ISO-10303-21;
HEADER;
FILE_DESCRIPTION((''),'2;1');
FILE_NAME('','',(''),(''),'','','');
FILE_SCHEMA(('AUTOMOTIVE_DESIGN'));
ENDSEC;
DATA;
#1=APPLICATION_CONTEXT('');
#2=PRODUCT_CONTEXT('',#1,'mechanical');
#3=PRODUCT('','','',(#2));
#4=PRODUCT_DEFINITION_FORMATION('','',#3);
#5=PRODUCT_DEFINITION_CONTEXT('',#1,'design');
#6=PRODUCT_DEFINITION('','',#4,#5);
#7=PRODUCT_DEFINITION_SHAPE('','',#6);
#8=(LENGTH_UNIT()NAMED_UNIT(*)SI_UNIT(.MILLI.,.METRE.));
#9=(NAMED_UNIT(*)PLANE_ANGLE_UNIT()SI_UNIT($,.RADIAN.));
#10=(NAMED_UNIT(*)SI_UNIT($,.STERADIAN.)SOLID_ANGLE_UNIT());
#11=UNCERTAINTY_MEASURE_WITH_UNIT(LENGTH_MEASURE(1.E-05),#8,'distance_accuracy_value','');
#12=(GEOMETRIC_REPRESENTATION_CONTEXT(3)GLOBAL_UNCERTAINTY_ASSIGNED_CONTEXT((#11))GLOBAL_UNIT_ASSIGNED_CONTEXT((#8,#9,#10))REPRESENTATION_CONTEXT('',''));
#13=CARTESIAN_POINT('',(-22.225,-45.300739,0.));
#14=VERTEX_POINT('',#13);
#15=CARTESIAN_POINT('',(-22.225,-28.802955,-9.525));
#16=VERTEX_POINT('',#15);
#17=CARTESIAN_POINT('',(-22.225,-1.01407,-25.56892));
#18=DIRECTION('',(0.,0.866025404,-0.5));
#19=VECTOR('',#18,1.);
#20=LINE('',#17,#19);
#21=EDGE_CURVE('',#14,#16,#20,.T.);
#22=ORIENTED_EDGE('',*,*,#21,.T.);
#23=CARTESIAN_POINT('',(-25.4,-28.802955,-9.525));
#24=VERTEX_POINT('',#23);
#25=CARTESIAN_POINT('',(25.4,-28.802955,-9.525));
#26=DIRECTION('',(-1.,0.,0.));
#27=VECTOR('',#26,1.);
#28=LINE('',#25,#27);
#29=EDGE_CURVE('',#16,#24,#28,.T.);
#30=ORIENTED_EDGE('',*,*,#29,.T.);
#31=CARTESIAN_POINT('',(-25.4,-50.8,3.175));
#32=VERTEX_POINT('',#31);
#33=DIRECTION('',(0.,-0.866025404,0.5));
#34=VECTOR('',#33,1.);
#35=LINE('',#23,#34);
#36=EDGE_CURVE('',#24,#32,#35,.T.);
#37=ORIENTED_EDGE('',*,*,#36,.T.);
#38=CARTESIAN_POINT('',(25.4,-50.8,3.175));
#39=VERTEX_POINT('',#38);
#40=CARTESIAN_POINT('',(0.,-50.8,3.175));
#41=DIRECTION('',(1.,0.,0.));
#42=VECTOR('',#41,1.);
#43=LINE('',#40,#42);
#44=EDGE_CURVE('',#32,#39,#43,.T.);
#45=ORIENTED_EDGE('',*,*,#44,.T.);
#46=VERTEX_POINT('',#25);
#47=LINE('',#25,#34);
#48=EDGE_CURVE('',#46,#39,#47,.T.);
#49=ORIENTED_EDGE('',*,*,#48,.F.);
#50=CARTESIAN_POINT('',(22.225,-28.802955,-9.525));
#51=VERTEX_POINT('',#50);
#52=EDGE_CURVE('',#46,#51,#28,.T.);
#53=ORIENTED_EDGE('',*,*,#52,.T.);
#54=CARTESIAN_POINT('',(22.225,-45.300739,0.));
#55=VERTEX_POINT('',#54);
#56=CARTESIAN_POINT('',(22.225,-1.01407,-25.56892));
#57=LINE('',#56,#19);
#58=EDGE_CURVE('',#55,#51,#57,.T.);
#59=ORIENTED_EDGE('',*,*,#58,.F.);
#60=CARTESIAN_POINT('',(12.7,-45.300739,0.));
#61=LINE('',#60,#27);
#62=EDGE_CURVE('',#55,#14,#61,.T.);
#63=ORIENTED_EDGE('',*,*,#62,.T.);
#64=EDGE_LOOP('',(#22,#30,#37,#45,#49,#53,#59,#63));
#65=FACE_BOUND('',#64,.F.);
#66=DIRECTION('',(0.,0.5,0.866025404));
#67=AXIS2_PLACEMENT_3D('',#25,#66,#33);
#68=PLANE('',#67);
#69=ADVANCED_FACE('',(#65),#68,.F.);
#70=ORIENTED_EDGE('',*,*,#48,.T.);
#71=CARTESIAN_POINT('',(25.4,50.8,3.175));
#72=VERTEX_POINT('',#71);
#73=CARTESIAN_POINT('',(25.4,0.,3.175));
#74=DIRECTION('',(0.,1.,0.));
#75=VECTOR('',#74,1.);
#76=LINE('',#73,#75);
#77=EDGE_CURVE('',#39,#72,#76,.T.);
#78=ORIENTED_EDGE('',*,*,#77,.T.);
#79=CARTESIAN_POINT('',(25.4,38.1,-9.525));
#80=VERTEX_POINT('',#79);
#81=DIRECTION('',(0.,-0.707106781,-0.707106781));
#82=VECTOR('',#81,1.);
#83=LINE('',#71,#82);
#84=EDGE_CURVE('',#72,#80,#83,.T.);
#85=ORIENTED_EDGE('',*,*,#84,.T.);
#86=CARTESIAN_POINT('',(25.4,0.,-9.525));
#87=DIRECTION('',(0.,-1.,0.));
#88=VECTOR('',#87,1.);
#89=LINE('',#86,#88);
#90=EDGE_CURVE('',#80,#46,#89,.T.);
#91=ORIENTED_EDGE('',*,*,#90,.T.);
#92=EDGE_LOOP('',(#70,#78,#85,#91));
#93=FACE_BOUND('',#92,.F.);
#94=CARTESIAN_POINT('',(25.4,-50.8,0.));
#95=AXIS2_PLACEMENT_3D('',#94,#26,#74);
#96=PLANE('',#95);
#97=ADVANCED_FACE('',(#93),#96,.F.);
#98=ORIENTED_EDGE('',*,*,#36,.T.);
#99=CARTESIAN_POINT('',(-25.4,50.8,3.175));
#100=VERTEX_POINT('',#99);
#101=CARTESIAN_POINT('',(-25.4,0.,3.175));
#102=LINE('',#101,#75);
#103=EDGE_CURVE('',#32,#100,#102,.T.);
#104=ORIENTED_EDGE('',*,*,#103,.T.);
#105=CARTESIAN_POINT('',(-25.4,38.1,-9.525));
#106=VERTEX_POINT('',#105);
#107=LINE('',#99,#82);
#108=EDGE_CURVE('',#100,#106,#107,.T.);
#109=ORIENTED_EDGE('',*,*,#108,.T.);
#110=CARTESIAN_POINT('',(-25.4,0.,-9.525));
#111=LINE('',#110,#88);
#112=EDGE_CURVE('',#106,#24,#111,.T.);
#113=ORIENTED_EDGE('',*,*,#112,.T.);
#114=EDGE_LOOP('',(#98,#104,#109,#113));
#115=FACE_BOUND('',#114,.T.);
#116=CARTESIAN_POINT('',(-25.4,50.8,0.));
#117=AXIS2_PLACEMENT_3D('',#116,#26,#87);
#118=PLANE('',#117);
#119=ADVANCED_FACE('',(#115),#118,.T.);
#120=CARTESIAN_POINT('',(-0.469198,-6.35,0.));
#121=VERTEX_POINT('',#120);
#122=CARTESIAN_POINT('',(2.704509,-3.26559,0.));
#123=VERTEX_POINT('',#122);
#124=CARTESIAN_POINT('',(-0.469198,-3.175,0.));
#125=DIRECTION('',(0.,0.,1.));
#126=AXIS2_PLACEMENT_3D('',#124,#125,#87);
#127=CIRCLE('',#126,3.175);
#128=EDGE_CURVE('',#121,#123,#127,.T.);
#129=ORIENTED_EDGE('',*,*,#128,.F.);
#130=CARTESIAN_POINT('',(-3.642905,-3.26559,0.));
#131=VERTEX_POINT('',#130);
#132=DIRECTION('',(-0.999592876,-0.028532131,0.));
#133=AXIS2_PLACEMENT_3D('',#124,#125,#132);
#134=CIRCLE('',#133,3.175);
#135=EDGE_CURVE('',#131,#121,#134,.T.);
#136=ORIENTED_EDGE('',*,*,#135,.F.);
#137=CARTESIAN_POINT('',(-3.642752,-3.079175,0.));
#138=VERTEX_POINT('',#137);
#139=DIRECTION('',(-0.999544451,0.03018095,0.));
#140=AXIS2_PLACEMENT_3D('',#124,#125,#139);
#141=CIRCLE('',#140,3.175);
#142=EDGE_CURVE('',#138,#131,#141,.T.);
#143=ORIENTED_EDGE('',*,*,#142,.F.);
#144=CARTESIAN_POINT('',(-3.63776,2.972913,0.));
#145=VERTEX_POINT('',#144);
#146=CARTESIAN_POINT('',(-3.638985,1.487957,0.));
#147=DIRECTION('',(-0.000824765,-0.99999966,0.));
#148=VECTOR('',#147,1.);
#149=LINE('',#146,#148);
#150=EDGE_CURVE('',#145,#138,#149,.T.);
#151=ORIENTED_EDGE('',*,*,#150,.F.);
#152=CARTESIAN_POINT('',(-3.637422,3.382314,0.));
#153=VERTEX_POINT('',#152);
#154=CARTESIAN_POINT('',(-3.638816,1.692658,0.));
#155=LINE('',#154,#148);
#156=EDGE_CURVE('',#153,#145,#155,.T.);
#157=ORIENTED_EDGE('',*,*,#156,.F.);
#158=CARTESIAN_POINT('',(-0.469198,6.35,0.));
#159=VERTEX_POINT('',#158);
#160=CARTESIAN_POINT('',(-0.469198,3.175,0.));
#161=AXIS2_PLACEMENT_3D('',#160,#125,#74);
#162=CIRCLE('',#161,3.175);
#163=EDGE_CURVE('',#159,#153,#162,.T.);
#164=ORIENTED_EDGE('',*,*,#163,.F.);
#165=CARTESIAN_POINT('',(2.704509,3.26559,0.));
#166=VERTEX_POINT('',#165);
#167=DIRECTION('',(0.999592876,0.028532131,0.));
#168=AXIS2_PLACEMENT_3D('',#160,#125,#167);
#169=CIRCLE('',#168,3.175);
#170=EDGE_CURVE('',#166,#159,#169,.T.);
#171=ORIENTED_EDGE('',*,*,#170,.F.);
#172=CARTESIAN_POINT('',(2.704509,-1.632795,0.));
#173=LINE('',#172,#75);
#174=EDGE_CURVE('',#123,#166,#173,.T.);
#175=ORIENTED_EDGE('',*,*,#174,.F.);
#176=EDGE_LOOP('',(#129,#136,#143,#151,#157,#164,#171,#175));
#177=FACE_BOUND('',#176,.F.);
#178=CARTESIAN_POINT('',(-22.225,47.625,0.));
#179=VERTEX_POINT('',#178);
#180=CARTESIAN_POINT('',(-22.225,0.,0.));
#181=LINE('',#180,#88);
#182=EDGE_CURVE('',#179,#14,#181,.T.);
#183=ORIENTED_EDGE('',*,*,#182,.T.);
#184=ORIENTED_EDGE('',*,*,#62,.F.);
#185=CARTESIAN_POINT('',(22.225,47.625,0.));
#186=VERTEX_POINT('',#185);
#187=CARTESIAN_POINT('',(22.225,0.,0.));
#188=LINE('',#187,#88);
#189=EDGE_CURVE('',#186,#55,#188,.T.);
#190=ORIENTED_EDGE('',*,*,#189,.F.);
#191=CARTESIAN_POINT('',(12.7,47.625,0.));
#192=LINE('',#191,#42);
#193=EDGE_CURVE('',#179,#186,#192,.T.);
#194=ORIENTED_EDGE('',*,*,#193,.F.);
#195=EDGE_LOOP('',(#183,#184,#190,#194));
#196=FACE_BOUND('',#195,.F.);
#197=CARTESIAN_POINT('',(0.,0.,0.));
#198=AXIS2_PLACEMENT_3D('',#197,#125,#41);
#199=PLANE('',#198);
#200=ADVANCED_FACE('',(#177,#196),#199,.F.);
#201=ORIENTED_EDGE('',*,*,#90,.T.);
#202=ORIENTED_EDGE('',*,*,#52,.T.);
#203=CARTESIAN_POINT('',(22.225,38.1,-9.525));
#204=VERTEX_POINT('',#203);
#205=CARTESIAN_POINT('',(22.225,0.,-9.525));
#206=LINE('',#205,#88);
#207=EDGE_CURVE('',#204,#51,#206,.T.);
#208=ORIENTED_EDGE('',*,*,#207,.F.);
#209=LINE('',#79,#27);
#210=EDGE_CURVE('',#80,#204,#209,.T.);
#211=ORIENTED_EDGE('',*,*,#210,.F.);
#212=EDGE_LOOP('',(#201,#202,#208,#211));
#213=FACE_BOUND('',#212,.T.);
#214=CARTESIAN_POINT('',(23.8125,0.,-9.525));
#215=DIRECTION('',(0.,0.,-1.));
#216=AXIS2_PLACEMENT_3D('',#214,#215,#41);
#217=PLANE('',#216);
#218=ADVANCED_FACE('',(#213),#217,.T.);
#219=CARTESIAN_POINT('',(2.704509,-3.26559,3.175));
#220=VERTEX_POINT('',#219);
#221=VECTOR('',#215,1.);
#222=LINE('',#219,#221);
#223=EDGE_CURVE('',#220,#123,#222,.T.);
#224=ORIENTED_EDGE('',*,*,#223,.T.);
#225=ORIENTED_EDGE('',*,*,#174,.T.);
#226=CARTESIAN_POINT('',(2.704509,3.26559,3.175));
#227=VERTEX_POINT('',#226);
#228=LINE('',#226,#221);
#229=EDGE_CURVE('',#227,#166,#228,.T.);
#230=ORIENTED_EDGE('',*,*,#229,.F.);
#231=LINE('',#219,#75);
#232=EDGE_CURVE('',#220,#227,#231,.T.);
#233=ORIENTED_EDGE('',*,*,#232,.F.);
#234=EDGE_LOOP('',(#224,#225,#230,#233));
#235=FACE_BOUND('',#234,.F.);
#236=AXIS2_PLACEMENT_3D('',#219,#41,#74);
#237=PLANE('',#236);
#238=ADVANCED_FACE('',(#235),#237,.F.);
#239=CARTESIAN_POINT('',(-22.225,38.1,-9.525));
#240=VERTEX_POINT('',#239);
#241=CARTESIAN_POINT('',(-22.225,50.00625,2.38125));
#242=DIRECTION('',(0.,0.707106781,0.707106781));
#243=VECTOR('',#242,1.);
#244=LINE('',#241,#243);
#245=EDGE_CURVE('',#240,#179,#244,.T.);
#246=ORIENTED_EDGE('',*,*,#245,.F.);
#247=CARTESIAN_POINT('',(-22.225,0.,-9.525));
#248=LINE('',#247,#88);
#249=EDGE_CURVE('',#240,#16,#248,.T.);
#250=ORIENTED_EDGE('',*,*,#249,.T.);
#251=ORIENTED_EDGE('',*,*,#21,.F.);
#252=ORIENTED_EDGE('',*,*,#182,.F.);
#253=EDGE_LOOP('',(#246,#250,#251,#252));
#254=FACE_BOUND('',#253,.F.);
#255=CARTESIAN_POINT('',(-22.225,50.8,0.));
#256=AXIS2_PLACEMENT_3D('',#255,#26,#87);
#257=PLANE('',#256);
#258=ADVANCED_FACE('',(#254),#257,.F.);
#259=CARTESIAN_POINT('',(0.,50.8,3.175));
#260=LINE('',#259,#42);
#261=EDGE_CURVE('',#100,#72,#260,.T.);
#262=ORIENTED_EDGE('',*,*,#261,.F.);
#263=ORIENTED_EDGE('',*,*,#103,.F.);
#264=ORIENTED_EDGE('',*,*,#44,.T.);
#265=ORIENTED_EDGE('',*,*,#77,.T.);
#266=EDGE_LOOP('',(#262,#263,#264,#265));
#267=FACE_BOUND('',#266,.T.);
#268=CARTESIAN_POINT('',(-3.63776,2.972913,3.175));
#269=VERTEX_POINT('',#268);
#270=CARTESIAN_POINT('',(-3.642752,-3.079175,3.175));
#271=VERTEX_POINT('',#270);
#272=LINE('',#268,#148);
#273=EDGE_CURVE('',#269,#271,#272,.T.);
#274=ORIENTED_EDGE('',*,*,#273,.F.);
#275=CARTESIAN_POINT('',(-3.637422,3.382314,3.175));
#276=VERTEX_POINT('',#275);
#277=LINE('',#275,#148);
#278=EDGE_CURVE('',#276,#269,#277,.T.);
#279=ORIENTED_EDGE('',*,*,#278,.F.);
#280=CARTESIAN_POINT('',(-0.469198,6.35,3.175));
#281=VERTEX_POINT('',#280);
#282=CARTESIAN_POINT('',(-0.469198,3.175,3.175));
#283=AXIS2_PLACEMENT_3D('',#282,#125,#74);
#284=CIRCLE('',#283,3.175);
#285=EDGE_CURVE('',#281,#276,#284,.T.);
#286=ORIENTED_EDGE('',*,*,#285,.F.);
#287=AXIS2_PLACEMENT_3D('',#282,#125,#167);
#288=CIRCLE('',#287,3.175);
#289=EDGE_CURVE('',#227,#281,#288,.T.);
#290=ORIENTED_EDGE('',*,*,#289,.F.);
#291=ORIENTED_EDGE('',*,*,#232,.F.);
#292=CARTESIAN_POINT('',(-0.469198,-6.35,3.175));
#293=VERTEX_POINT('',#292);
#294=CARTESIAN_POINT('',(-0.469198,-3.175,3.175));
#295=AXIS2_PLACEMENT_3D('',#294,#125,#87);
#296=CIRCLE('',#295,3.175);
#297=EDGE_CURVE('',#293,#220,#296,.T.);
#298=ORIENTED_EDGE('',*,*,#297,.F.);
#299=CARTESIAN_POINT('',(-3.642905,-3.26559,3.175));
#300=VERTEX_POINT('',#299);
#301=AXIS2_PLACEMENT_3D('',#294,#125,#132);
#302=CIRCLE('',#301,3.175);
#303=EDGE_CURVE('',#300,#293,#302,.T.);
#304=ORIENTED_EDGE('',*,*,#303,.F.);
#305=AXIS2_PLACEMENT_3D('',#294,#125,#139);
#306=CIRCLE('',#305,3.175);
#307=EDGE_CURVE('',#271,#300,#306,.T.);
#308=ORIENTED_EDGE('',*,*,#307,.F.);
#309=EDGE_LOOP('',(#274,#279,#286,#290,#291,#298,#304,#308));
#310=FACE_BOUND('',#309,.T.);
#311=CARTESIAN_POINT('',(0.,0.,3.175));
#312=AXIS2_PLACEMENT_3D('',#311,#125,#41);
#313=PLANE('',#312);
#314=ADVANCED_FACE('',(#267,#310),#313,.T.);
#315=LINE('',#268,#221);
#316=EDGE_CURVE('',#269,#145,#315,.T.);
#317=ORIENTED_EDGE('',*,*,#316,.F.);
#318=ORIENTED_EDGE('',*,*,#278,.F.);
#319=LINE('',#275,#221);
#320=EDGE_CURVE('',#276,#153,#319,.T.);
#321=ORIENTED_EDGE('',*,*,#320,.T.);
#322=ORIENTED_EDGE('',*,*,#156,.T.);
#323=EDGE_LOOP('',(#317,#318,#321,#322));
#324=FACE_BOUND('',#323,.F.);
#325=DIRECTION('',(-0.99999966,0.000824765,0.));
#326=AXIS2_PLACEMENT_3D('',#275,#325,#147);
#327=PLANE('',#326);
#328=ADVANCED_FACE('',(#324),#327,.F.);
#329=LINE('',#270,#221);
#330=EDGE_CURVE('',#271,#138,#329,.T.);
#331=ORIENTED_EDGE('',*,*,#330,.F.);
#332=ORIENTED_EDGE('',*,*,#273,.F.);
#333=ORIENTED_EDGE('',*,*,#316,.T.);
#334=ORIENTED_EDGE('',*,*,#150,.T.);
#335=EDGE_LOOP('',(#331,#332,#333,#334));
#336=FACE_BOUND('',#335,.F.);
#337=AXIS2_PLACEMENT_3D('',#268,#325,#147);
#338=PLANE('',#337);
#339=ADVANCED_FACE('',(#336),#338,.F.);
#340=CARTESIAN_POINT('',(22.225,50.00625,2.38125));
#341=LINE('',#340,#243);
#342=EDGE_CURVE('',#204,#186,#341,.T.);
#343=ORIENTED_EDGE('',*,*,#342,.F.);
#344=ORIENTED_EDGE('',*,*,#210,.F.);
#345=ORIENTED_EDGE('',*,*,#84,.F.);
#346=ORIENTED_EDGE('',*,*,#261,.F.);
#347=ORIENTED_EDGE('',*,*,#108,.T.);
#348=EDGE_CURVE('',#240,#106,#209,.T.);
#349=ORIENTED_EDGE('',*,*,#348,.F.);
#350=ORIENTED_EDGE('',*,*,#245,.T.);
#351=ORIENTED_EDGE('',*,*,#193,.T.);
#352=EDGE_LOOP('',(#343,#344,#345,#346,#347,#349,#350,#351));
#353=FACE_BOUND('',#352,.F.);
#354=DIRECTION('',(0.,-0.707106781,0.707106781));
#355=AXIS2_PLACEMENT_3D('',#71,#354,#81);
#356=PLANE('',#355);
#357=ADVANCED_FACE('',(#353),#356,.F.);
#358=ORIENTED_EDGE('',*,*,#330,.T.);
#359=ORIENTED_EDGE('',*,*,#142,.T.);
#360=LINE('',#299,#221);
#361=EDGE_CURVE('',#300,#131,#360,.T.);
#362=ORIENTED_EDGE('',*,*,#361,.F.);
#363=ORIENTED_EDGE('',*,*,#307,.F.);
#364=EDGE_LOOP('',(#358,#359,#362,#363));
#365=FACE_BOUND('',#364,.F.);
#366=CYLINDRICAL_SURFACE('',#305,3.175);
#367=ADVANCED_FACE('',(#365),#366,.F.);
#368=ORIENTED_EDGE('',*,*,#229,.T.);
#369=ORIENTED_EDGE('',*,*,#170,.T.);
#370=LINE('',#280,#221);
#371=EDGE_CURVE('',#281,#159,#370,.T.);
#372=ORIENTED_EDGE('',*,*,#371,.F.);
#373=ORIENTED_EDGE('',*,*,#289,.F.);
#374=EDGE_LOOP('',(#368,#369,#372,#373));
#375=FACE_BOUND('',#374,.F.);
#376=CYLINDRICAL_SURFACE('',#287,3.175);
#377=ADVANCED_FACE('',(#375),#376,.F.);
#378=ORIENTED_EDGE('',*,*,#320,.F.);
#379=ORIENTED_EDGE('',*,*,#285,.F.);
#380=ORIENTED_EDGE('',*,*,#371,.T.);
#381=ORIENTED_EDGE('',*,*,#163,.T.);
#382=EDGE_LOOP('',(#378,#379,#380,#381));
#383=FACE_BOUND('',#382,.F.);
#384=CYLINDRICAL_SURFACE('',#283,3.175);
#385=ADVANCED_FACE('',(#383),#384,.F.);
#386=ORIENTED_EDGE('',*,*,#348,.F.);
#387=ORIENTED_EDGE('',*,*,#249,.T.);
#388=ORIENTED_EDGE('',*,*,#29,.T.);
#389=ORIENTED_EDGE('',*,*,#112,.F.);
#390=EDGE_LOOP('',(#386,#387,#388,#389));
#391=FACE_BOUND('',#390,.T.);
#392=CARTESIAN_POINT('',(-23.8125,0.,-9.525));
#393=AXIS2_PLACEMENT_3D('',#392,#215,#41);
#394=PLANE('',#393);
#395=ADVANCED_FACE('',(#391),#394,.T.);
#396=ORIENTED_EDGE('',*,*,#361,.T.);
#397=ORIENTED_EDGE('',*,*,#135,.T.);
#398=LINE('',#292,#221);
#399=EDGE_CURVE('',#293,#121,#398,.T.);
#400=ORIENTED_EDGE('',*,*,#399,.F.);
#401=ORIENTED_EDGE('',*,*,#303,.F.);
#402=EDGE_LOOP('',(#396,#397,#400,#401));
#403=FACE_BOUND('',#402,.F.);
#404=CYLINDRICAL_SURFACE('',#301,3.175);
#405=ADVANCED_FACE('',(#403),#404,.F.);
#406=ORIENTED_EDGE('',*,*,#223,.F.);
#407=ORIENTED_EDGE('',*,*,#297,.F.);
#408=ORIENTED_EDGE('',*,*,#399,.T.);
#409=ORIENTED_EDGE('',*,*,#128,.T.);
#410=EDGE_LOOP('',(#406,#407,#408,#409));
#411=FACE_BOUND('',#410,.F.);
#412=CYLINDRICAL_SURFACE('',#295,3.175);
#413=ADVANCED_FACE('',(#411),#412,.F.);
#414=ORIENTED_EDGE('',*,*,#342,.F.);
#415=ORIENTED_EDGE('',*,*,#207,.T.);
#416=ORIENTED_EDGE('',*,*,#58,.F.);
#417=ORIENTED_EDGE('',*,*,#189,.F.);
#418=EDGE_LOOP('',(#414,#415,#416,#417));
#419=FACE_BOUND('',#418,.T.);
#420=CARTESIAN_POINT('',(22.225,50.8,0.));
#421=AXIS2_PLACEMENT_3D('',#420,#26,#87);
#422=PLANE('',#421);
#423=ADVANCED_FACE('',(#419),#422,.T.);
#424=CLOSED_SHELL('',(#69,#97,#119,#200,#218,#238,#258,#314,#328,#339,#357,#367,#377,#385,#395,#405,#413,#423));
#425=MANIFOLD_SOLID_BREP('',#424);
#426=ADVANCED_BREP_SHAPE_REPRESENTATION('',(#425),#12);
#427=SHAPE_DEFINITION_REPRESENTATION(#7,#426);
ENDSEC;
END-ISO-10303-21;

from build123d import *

# Parameters (mm, degrees)
F0_W     = 50.8
F0_H     = 101.6
F1_DEPTH = 3.175
F2_W     = 3.175
F2_H     = 101.6
F3_DEPTH = 9.525
F5_DEPTH = 50.8
F7_DEPTH = 25.4


with BuildPart() as f1:
    # F0 (on Top) → F1 (new body)
    with BuildSketch(Plane.XY):
        Rectangle(F0_W, F0_H)
    extrude(amount=F1_DEPTH)

    # F2 (on face) → F3 (join)
    with BuildSketch(Plane(origin=(0, 0, 0), x_dir=(1, 0, 0), z_dir=(0, 0, -1))):
        with Locations((-23.8125, 0)):
            Rectangle(F2_W, F2_H)
        with Locations((23.8125, 0)):
            Rectangle(F2_W, F2_H)
    extrude(amount=F3_DEPTH)

    # F4 (on face) → F5 (cut)
    with BuildSketch(Plane.YZ.offset(25.4)):
        Polygon((-28.8029547439, -9.525), (-50.8, 3.175), (-50.8, -9.525), align=None)
        Polygon((50.8, -9.525), (50.8, 3.175), (38.1, -9.525), align=None)
    extrude(amount=-F5_DEPTH, mode=Mode.SUBTRACT)

    # F6 (on face) → F7 (cut)
    with BuildSketch(Plane.XY.offset(3.175)):
        with BuildLine():
            Line((-0.4691980296, 0), (-0.4691980296, 6.35))
            ThreePointArc((-0.4691980296, 6.35), (-2.639728339, 5.492201583), (-3.6374224509, 3.3823138118))
            Line((-3.6374224509, 3.3823138118), (-3.6377601108, 2.9729125496))
            ThreePointArc((-3.6377601108, 2.9729125496), (-2.6416387475, 0.8595893825), (-0.4691980296, 0))
        make_face()
        with BuildLine():
            ThreePointArc((2.7045093513, 3.2655895149), (1.7436059936, 5.4518670042), (-0.4691980296, 6.35))
            Line((-0.4691980296, 6.35), (-0.4691980296, 0))
            ThreePointArc((-0.4691980296, 0), (1.7436059936, 0.8981329958), (2.7045093513, 3.0844104851))
            Line((2.7045093513, 3.0844104851), (2.7045093513, 3.2655895149))
        make_face()
        with BuildLine():
            Line((-0.4691980296, 0), (-0.4691980296, -6.35))
            ThreePointArc((-0.4691980296, -6.35), (1.7436059936, -5.4518670042), (2.7045093513, -3.2655895149))
            Line((2.7045093513, -3.2655895149), (2.7045093513, -3.0844104851))
            ThreePointArc((2.7045093513, -3.0844104851), (1.7436059936, -0.8981329958), (-0.4691980296, 0))
        make_face()
        with BuildLine():
            ThreePointArc((-3.6429054106, -3.2655895149), (-2.6820020528, -5.4518670042), (-0.4691980296, -6.35))
            Line((-0.4691980296, -6.35), (-0.4691980296, 0))
            ThreePointArc((-0.4691980296, 0), (-2.6801234201, -0.8963087269), (-3.6427516628, -3.0791754847))
            Line((-3.6427516628, -3.0791754847), (-3.6429054106, -3.2655895149))
        make_face()
        with BuildLine():
            ThreePointArc((-3.6427516628, -3.0791754847), (-3.6441969498, -3.1723813712), (-3.6429054106, -3.2655895149))
            Line((-3.6429054106, -3.2655895149), (-3.6427516628, -3.0791754847))
        make_face()
        with BuildLine():
            ThreePointArc((2.7045093513, 3.0844104851), (1.7436059936, 0.8981329958), (-0.4691980296, 0))
            ThreePointArc((-0.4691980296, 0), (1.7436059936, -0.8981329958), (2.7045093513, -3.0844104851))
            Line((2.7045093513, -3.0844104851), (2.7045093513, 3.0844104851))
        make_face()
        with BuildLine():
            ThreePointArc((-3.6427516628, -3.0791754847), (-2.6801234201, -0.8963087269), (-0.4691980296, 0))
            ThreePointArc((-0.4691980296, 0), (-2.6416387475, 0.8595893825), (-3.6377601108, 2.9729125496))
            Line((-3.6377601108, 2.9729125496), (-3.6427516628, -3.0791754847))
        make_face()
    extrude(amount=-F7_DEPTH, mode=Mode.SUBTRACT)


solid = f1.part
